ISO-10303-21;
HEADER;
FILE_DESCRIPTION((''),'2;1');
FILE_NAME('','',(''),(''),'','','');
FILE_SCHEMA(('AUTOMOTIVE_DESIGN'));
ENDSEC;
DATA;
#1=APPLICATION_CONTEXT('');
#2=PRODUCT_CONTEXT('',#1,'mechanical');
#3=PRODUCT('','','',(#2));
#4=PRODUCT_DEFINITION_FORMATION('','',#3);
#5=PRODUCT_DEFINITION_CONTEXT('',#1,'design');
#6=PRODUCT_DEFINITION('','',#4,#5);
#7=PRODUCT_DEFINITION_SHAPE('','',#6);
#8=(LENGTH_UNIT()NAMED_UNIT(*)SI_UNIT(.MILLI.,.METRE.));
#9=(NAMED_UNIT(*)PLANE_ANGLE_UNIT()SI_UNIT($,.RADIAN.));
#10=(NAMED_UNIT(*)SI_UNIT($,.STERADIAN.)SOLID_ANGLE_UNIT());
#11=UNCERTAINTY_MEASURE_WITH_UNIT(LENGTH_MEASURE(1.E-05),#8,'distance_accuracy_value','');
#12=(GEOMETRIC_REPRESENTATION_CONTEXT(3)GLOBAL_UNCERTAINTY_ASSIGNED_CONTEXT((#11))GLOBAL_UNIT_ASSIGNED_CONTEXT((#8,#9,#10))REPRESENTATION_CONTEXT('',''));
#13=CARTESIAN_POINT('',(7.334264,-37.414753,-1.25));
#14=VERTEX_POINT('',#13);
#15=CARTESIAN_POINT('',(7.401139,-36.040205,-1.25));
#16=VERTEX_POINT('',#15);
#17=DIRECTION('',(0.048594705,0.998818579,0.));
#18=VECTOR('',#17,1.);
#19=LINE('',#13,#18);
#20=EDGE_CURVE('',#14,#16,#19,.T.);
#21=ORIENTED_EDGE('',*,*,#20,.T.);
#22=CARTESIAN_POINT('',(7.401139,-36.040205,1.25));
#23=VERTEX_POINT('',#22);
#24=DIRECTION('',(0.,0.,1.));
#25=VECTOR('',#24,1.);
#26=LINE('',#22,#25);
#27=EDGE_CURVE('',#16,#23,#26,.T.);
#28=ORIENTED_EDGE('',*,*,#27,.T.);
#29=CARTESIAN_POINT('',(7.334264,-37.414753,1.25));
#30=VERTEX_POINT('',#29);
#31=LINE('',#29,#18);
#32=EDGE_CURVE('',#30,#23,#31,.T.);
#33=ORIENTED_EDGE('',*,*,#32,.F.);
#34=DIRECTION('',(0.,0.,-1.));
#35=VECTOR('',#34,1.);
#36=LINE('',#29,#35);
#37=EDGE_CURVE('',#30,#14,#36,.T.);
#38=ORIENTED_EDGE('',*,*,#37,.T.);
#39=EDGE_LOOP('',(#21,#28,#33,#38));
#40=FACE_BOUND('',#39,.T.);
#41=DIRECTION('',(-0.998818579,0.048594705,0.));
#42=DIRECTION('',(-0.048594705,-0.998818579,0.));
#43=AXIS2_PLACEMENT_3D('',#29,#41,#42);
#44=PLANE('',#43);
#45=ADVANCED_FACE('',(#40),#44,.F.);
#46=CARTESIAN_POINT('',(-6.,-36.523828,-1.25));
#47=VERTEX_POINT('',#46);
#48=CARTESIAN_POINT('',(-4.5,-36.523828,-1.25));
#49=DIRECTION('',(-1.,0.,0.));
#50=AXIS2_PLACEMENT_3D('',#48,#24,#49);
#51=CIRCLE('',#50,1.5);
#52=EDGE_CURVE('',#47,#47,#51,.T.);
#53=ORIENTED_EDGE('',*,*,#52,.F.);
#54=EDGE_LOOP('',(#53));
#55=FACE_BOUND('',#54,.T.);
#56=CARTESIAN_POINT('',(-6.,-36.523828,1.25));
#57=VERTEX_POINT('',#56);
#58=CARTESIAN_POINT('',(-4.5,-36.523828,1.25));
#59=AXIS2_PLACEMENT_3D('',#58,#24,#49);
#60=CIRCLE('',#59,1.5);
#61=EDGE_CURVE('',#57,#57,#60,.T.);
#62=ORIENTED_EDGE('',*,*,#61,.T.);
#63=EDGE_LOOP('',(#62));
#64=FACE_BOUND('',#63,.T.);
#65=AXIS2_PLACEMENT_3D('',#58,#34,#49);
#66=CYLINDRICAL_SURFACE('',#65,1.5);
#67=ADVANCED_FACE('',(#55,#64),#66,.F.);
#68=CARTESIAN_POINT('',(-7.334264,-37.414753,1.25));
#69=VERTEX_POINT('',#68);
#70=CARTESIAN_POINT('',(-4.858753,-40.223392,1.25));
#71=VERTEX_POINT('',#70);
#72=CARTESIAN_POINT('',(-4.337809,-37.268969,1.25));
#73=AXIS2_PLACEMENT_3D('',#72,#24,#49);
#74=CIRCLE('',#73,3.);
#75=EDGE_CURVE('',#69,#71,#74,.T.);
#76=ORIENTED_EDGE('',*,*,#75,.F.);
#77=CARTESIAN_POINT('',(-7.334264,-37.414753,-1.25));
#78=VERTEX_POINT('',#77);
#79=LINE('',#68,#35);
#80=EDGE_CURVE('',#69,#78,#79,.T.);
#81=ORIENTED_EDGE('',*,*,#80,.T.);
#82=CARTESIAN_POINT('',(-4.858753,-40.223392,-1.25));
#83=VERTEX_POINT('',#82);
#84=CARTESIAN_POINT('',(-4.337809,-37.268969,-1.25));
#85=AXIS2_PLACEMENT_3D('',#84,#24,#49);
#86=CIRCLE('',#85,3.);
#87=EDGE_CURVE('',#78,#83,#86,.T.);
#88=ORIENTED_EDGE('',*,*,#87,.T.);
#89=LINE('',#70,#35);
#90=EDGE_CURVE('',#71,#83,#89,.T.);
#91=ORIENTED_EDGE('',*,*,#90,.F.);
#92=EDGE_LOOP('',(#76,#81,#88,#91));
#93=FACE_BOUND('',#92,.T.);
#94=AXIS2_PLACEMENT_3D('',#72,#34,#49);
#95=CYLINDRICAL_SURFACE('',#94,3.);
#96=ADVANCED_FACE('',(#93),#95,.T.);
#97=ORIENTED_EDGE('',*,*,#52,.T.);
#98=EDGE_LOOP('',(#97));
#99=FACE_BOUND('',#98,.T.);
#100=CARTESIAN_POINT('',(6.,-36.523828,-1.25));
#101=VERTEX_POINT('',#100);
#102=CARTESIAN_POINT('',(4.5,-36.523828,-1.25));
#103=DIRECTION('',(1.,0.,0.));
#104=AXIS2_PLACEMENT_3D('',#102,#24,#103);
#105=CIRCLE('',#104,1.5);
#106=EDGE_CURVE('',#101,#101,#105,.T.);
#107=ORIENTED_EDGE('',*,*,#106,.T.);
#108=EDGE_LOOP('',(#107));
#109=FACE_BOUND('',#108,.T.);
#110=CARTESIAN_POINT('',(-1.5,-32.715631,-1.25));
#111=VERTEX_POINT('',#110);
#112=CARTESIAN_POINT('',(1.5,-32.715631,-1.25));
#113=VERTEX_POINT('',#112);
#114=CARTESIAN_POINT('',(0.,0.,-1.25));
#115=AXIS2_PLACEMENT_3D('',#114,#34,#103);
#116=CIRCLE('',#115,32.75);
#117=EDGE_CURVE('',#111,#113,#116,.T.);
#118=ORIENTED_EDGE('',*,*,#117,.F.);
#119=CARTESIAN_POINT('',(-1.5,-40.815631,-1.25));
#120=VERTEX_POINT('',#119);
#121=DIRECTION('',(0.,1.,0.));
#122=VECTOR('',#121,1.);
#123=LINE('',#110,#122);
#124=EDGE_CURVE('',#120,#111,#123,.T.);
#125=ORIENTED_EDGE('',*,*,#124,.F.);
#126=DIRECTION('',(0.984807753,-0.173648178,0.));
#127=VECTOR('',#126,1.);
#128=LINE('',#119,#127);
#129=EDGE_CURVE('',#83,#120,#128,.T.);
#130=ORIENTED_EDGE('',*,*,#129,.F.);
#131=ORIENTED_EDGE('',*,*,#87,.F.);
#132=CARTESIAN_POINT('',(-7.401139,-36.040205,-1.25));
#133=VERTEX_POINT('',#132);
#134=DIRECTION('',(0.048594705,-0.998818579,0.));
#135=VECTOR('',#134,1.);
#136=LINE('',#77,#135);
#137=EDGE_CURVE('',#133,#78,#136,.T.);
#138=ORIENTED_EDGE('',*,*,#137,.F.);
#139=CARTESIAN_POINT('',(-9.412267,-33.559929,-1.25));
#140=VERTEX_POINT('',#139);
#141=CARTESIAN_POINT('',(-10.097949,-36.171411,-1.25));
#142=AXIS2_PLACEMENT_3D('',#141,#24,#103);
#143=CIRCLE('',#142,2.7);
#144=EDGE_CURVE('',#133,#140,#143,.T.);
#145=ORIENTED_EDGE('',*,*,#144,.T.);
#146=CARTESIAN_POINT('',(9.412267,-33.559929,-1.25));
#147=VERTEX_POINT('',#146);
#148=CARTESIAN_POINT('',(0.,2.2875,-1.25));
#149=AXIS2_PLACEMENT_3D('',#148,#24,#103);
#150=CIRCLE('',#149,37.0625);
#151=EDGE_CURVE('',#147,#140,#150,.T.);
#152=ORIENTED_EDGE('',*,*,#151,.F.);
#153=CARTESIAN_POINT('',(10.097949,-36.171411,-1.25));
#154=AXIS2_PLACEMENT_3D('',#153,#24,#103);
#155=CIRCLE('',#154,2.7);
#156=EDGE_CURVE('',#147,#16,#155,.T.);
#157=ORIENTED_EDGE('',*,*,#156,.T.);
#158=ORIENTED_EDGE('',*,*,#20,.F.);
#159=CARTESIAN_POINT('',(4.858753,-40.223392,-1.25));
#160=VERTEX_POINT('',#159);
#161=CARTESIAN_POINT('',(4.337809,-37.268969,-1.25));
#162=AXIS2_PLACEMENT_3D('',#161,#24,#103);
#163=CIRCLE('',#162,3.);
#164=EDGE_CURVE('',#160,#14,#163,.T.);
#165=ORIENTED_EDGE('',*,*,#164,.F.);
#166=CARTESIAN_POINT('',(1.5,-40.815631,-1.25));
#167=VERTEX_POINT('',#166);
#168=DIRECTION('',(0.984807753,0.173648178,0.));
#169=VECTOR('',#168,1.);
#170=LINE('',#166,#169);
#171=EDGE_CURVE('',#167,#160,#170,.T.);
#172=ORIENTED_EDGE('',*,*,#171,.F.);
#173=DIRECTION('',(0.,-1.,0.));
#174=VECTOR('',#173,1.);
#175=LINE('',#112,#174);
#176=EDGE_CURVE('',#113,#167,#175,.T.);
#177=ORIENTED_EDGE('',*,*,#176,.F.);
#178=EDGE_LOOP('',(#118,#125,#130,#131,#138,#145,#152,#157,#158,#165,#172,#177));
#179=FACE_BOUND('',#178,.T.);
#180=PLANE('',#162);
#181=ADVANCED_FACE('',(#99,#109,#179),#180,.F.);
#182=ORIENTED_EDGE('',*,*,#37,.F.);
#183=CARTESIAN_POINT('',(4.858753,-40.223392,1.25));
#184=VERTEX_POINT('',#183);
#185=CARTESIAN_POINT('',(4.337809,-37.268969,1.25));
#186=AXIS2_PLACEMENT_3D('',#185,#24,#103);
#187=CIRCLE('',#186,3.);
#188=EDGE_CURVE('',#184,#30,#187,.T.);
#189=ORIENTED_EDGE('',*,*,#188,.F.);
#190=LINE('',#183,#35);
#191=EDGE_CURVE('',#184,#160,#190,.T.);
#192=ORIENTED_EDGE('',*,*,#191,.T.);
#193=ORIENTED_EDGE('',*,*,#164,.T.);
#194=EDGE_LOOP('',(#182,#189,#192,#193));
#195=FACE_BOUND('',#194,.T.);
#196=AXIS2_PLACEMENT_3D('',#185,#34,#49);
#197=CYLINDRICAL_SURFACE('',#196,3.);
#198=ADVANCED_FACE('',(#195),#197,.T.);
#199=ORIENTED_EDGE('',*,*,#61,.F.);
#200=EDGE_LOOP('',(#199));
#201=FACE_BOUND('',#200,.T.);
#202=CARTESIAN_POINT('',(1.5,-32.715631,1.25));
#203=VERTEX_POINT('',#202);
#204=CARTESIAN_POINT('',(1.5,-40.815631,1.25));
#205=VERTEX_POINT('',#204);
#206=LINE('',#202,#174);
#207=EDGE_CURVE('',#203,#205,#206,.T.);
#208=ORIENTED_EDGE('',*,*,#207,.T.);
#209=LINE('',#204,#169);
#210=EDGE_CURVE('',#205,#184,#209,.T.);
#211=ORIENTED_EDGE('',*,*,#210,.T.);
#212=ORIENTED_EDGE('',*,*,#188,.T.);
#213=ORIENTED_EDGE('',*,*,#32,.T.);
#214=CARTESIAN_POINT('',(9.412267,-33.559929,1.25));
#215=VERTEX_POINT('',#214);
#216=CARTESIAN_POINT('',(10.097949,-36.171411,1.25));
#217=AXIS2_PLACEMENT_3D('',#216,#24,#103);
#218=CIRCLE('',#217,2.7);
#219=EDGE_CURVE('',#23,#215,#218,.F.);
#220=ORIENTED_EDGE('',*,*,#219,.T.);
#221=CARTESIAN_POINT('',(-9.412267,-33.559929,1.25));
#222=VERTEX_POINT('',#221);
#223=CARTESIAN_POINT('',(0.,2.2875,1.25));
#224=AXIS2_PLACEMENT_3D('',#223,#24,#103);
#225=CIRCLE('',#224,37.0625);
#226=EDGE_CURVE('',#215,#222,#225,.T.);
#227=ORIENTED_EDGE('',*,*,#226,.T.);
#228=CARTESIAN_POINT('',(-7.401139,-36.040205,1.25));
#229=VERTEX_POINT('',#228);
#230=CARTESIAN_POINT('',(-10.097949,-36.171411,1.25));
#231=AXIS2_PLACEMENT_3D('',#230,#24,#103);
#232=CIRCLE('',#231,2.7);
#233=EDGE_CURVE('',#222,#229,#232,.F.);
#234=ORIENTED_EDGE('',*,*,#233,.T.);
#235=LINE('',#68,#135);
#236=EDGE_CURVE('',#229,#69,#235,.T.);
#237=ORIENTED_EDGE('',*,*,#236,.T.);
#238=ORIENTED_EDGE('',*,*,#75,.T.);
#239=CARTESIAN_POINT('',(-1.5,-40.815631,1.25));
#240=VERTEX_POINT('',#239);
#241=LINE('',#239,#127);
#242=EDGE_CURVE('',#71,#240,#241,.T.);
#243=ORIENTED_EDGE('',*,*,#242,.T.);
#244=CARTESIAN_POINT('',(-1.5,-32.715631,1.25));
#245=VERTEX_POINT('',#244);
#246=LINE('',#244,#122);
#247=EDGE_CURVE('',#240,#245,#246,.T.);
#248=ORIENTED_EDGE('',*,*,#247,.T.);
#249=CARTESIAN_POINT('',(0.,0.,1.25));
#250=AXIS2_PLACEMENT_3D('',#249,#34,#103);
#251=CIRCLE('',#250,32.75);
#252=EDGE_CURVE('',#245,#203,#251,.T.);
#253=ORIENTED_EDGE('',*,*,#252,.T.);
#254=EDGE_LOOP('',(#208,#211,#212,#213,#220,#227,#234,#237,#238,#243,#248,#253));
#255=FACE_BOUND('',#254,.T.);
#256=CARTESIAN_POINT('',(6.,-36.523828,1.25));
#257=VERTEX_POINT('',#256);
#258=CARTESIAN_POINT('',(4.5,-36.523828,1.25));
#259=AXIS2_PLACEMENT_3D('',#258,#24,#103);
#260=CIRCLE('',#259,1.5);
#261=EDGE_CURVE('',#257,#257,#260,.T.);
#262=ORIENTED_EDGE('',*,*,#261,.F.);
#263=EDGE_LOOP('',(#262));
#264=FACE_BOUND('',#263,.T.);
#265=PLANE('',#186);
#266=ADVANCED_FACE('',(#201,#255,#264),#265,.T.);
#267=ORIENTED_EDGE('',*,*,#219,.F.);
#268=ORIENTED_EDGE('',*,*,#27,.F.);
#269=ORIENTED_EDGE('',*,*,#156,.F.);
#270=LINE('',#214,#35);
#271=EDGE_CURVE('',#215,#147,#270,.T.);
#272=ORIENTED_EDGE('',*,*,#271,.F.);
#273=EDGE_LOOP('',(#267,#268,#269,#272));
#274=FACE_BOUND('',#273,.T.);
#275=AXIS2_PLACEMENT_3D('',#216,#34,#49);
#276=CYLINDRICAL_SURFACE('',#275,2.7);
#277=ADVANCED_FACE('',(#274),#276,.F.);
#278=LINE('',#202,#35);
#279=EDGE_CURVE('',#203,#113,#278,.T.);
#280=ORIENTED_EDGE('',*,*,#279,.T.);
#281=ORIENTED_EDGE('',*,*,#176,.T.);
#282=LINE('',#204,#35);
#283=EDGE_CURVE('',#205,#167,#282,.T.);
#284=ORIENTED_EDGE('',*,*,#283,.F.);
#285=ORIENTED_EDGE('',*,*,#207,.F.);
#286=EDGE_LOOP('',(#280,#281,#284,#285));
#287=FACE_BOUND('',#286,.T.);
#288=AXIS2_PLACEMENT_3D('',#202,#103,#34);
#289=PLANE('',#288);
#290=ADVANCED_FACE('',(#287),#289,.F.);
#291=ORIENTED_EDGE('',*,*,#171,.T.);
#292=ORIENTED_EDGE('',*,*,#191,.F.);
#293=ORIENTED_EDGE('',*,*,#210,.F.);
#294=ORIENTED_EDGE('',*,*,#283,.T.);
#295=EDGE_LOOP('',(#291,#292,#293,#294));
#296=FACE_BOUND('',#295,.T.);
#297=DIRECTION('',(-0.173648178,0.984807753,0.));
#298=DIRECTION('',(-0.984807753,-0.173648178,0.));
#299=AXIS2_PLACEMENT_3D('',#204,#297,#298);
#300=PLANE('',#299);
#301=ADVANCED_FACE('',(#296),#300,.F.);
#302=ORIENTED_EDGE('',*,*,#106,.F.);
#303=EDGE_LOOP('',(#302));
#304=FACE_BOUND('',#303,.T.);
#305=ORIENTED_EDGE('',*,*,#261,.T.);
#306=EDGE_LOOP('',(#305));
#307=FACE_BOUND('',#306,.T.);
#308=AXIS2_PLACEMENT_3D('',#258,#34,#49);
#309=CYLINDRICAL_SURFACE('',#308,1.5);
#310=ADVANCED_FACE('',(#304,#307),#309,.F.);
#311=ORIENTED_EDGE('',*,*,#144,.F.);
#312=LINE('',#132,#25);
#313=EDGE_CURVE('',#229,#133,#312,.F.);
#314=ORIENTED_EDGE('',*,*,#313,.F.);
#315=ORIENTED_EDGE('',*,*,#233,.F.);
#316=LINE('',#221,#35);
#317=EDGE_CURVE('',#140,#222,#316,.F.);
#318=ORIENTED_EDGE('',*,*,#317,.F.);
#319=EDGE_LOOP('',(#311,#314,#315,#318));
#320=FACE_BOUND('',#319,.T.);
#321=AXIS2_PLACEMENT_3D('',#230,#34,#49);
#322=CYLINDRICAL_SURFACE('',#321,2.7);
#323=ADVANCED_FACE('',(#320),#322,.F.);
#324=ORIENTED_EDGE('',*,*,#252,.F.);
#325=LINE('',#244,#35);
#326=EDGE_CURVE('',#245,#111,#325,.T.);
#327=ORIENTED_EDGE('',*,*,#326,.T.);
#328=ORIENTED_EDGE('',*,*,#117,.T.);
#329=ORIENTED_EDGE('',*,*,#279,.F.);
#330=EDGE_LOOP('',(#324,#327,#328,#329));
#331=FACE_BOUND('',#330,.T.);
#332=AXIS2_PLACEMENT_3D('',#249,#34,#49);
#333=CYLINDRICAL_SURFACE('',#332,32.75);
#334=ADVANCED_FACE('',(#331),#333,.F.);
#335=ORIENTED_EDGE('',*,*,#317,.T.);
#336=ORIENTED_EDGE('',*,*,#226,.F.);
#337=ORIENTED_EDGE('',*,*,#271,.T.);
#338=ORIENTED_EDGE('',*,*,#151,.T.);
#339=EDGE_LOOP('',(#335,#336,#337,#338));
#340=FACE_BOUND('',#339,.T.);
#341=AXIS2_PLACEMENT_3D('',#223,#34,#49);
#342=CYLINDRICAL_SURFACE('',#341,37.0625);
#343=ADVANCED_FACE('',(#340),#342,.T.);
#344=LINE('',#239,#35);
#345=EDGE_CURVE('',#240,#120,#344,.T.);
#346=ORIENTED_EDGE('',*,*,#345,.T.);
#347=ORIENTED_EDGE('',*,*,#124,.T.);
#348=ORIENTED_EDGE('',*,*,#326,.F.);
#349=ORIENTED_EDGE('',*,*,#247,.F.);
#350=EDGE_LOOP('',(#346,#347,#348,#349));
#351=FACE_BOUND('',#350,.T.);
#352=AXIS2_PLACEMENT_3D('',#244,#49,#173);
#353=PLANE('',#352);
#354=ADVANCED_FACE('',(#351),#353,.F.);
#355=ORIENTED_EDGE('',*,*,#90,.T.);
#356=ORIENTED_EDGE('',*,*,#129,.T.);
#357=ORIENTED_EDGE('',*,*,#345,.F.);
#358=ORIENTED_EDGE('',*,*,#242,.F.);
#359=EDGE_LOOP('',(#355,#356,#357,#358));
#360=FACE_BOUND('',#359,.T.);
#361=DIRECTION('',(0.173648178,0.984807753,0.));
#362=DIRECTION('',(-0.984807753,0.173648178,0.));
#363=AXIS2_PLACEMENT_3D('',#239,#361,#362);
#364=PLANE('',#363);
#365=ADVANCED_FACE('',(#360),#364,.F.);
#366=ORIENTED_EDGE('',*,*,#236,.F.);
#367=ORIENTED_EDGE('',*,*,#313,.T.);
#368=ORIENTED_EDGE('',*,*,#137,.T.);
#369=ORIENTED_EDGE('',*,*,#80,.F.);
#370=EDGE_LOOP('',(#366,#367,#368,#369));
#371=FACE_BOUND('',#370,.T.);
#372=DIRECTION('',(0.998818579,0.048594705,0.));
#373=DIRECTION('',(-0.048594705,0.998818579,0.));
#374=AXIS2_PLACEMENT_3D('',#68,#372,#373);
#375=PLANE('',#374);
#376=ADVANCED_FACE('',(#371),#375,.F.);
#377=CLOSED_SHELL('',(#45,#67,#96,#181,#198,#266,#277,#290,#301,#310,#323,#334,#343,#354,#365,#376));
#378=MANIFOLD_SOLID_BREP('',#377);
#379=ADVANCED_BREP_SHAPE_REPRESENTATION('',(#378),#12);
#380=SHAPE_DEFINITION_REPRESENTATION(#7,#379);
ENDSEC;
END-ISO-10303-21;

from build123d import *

# Parameters (mm, degrees)
SKETCH_2_R      = 1.5
EXTRUDE_1_DEPTH = 1.25
FILLET_1_R      = 2.7


with BuildPart() as part:
    # 草图2 → 凸台-拉伸1 (new, symmetric)
    with BuildSketch(Plane.XY):
        with BuildLine():
            Line((7.33426448, -37.414752853), (7.5, -34.008214709))
            ThreePointArc((7.5, -34.008214709), (0, 39.35), (-7.5, -34.008214709))
            Line((-7.5, -34.008214709), (-7.33426448, -37.414752853))
            ThreePointArc((-7.33426448, -37.414752853), (-6.588395249, -39.252616986), (-4.858753275, -40.223391997))
            Line((-4.858753275, -40.223391997), (-1.5, -40.815630821))
            Line((-1.5, -40.815630821), (-1.5, -32.715630821))
            ThreePointArc((-1.5, -32.715630821), (0, 32.75), (1.5, -32.715630821))
            Line((1.5, -32.715630821), (1.5, -40.815630821))
            Line((1.5, -40.815630821), (4.858753275, -40.223391997))
            ThreePointArc((4.858753275, -40.223391997), (6.588395249, -39.252616986), (7.33426448, -37.414752853))
        make_face()
        with Locations((4.5, -36.523827839)):
            Circle(SKETCH_2_R, mode=Mode.SUBTRACT)
        with Locations(Location((-4.5, -36.523827839, 0), (0, 0, 180))):
            Circle(SKETCH_2_R, mode=Mode.SUBTRACT)
    extrude(amount=EXTRUDE_1_DEPTH, both=True)

    # 圆角1
    fillet_1_edges = [part.edges().sort_by_distance(p)[0] for p in [
        (-7.5, -34.008214709, 0),
        (7.5, -34.008214709, 0),
    ]]
    fillet(fillet_1_edges, radius=FILLET_1_R)


solid = part.part
